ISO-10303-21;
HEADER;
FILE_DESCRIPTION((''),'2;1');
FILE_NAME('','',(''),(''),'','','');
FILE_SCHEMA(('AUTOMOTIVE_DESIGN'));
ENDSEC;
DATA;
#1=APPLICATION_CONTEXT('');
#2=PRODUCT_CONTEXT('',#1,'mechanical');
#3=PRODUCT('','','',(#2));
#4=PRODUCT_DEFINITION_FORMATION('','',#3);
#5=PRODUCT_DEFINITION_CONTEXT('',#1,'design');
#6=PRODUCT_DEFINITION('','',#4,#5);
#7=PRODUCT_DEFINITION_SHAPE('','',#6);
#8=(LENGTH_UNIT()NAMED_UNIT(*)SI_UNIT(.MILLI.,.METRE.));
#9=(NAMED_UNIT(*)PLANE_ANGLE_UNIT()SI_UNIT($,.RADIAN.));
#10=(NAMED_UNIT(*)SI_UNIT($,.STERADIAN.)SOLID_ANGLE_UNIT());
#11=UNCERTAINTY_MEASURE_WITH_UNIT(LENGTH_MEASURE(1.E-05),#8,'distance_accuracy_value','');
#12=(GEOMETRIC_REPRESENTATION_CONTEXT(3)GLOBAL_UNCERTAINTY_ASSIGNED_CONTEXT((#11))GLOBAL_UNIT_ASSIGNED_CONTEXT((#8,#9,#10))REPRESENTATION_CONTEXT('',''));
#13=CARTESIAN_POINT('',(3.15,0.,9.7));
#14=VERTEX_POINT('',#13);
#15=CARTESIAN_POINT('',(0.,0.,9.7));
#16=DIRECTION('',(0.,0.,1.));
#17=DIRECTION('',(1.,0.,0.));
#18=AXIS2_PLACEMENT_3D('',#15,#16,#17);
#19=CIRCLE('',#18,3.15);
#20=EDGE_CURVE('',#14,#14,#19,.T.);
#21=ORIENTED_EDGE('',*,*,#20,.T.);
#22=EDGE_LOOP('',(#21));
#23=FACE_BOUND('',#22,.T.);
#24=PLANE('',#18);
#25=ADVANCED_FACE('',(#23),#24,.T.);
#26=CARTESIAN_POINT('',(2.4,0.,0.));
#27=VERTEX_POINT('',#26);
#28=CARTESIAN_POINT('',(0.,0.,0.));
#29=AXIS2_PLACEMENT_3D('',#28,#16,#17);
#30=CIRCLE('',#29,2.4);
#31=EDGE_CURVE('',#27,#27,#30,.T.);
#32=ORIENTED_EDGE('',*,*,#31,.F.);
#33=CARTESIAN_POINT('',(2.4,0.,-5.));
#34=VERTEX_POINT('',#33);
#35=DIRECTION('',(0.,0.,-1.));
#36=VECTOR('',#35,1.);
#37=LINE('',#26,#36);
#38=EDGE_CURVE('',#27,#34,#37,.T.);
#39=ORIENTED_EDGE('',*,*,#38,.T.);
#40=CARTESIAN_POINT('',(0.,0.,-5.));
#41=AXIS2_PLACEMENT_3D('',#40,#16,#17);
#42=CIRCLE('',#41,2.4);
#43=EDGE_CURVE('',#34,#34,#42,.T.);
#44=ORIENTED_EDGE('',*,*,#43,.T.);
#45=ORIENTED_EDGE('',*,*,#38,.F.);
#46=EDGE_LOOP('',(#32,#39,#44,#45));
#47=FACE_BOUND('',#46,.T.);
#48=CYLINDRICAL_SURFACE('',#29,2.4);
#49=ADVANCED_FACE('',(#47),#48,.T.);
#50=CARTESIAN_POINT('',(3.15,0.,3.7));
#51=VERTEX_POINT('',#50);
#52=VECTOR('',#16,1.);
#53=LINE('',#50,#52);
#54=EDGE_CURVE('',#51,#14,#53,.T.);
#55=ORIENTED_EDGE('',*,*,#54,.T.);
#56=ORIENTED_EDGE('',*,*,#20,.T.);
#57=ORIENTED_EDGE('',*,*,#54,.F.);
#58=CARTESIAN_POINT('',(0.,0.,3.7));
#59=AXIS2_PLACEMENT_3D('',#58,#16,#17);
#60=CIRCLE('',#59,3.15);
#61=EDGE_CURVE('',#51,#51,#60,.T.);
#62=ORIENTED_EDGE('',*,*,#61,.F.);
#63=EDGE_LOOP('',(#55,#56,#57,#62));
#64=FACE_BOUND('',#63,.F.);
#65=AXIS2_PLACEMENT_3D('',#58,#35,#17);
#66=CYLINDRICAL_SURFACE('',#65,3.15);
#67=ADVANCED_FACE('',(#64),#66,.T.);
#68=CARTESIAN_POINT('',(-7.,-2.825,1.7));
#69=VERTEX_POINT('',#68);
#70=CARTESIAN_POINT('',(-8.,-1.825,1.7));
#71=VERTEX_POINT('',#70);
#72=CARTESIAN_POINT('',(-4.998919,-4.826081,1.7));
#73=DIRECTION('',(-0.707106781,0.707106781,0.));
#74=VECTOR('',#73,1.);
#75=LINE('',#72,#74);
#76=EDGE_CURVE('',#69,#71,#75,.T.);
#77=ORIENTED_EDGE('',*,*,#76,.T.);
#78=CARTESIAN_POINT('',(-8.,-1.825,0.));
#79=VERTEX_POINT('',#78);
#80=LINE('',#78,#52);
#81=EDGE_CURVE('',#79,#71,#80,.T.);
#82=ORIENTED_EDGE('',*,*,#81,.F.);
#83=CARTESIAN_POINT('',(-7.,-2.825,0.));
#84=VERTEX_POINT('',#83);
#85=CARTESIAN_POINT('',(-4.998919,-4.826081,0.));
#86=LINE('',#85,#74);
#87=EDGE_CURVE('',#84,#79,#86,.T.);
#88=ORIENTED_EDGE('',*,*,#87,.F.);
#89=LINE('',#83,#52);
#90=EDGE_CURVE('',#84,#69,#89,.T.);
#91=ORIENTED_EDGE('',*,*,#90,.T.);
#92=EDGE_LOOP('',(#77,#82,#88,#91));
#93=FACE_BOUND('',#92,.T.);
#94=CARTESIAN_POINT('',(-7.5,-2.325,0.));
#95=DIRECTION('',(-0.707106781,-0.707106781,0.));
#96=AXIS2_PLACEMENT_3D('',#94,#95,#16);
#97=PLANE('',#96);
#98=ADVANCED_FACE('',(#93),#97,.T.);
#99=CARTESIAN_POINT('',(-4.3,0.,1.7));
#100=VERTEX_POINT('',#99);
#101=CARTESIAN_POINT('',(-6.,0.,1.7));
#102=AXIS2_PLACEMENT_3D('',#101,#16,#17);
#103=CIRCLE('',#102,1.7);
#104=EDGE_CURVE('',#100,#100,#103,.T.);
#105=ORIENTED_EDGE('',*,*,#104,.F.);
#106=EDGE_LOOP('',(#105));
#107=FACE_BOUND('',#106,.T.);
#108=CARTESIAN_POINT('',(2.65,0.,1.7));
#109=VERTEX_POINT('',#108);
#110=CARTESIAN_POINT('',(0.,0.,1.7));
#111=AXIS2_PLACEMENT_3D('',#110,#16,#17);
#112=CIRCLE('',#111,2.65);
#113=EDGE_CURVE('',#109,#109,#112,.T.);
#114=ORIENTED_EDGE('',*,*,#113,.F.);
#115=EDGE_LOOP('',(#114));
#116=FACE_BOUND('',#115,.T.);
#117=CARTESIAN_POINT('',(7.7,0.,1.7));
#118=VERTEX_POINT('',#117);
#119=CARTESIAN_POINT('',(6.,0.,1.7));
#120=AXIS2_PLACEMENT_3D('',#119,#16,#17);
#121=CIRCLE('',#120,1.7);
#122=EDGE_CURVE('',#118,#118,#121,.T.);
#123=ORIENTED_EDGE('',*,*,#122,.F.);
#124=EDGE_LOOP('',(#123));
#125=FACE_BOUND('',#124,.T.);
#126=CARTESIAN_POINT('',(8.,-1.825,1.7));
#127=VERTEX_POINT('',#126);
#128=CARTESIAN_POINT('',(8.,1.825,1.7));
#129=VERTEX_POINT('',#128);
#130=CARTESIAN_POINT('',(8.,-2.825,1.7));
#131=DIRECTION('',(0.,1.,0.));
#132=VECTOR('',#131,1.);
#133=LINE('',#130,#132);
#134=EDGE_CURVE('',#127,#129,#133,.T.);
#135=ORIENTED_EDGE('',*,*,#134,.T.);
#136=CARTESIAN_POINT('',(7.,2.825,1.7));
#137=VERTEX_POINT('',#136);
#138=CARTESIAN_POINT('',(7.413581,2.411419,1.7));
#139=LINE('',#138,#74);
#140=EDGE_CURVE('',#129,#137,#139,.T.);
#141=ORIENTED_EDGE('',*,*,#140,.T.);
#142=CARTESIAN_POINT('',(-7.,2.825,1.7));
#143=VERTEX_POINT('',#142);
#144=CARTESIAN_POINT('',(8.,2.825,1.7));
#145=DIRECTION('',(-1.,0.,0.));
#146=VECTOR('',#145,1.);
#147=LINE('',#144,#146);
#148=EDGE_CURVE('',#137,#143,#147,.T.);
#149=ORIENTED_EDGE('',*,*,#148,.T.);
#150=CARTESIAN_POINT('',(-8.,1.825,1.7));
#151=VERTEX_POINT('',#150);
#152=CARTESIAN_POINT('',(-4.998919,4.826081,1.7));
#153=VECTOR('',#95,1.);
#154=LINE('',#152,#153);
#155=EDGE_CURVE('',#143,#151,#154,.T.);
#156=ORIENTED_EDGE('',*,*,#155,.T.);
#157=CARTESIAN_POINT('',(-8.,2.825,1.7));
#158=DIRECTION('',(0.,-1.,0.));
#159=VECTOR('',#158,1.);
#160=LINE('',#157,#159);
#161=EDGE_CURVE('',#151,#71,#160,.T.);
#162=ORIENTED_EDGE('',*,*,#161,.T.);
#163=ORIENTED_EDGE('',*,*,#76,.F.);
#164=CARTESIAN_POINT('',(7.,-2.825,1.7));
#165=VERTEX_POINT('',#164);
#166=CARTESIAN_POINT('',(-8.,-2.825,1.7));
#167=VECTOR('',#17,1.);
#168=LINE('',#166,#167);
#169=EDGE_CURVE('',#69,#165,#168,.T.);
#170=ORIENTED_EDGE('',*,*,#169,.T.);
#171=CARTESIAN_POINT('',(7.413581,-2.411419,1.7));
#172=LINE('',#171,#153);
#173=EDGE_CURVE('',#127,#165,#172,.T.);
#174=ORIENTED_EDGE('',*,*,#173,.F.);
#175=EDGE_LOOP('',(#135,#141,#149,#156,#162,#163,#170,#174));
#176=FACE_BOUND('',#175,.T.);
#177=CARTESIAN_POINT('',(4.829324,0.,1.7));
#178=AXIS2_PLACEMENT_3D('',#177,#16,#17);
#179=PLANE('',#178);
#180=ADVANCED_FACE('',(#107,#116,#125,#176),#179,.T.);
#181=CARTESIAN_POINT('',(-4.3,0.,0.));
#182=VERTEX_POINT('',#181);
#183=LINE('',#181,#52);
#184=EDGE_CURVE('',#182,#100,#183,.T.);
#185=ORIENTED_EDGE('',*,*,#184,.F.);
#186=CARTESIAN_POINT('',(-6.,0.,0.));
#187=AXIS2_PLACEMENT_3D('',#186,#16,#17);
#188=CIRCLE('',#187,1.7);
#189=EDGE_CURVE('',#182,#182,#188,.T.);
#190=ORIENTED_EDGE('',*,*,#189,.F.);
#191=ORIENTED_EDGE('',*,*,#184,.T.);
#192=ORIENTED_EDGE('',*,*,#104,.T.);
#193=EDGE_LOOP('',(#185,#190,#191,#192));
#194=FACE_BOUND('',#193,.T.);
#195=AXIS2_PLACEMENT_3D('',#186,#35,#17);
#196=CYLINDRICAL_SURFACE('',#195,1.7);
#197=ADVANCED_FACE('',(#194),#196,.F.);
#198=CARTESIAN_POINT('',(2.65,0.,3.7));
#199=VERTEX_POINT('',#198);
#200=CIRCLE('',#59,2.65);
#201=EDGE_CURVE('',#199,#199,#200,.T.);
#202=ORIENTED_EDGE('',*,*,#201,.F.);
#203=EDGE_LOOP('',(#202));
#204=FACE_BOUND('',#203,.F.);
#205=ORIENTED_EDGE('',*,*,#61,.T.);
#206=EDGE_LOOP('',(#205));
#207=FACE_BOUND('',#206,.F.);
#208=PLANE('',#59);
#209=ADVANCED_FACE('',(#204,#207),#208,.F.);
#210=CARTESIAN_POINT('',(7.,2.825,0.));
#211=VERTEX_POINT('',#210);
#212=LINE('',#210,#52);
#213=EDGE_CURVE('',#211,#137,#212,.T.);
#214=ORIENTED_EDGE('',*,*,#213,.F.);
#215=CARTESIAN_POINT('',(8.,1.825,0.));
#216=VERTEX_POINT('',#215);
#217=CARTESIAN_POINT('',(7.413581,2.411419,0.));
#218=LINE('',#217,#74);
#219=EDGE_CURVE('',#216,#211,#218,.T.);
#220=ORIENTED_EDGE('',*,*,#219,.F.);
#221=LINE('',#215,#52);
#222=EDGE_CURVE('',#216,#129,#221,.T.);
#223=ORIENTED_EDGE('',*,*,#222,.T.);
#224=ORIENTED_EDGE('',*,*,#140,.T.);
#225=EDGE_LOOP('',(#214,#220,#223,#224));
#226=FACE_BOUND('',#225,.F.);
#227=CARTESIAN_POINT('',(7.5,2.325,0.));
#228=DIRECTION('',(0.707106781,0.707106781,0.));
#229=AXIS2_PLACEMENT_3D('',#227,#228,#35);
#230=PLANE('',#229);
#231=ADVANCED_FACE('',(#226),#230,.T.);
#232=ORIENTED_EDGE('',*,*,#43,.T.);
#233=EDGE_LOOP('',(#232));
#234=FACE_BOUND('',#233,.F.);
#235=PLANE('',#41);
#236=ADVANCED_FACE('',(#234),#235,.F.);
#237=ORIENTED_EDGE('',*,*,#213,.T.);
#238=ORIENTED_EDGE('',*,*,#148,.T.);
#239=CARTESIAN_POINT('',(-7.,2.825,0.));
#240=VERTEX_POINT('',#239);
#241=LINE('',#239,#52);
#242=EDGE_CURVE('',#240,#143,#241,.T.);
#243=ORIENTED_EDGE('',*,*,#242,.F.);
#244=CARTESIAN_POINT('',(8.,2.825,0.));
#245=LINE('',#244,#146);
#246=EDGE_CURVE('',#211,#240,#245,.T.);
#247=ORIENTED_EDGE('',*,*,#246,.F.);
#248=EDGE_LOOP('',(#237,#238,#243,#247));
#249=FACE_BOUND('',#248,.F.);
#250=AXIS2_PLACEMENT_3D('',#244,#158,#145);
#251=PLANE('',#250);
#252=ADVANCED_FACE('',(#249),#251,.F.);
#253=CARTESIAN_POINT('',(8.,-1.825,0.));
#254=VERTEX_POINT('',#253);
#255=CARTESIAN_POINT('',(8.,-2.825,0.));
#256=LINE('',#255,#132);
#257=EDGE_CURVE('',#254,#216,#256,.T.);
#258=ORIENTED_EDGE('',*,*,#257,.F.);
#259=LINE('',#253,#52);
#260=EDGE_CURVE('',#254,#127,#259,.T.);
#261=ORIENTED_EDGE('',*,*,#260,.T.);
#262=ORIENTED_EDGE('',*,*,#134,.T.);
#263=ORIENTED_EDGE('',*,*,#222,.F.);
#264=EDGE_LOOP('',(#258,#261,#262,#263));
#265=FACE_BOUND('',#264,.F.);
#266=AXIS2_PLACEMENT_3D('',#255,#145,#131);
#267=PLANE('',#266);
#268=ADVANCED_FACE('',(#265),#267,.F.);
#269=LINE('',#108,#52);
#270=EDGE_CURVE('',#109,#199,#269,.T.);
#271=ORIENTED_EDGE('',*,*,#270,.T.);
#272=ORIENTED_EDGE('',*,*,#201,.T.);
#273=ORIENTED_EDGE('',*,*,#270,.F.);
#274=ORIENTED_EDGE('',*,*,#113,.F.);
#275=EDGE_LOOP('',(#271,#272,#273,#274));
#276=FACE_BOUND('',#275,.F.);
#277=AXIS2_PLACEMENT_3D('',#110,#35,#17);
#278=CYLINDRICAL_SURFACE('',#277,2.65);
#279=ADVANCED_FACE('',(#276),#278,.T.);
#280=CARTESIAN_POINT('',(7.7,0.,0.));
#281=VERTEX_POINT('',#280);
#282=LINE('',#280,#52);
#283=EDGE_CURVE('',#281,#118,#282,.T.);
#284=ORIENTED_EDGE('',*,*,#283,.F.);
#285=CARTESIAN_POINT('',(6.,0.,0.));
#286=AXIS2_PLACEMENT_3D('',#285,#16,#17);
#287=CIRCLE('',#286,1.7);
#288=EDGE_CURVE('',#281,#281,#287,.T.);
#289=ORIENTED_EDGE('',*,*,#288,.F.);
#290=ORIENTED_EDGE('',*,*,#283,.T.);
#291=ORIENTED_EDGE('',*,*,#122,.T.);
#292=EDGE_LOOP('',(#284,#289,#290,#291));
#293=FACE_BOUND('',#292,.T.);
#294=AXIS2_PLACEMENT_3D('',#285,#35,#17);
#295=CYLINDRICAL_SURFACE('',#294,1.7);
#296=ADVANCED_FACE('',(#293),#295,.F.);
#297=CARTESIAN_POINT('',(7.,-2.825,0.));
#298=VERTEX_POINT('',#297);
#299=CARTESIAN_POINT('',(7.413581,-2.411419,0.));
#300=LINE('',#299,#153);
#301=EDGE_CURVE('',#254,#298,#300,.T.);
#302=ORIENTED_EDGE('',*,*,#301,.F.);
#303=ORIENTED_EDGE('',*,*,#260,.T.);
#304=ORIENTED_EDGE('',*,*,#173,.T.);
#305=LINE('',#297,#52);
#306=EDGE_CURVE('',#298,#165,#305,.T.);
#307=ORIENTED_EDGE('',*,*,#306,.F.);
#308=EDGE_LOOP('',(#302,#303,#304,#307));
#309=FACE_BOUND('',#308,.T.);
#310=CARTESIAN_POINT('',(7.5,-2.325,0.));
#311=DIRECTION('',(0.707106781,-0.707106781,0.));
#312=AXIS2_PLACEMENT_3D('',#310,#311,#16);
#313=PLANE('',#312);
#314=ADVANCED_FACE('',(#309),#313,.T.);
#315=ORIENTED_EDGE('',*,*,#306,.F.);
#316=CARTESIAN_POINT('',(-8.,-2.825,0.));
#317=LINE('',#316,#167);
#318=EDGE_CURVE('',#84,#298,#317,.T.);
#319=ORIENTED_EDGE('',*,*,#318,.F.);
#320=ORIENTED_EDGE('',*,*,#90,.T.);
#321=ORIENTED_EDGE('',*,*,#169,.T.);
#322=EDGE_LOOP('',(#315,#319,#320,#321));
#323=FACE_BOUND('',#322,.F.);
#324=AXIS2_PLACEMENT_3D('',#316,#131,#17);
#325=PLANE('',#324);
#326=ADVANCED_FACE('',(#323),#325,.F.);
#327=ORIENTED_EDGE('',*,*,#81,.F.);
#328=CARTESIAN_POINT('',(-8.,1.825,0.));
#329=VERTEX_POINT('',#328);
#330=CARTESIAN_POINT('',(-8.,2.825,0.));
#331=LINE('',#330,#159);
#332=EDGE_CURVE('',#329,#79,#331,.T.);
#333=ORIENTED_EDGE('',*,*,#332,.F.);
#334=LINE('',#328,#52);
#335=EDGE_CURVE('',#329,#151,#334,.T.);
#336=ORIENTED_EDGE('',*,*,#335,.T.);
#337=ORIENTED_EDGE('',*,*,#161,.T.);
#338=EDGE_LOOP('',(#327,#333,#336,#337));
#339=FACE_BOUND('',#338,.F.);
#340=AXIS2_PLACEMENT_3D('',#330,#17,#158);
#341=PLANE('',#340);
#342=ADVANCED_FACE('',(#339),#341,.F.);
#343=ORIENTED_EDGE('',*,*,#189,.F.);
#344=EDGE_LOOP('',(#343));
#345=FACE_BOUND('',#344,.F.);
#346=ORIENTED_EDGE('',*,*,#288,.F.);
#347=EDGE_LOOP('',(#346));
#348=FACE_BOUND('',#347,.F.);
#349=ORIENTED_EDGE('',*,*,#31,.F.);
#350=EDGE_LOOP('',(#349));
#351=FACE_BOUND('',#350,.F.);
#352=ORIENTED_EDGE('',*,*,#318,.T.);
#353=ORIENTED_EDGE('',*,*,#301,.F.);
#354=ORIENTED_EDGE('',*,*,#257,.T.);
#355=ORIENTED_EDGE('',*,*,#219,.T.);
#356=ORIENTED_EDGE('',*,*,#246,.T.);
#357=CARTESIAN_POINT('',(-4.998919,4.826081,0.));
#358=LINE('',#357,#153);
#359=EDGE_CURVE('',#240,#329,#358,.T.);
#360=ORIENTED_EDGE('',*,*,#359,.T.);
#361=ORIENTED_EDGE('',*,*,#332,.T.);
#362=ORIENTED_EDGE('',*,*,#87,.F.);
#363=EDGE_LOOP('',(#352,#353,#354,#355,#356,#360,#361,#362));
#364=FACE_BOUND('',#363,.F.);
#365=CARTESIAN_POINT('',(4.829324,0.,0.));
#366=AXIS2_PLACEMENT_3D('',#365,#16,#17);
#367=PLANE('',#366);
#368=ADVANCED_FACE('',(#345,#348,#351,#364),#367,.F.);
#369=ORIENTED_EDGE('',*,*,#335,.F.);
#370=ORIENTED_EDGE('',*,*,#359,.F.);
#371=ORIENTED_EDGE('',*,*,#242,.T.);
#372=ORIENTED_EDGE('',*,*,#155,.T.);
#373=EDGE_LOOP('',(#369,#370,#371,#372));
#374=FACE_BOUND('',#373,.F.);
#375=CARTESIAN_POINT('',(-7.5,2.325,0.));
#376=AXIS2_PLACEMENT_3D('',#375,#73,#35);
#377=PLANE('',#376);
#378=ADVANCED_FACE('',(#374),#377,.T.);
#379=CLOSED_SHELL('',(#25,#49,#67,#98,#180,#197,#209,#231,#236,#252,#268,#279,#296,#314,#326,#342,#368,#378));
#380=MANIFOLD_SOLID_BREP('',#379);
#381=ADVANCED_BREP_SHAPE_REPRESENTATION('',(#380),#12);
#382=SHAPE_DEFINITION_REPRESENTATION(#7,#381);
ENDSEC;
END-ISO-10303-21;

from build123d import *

# Parameters (mm, degrees)
F0_R     = 1.7
F0_R_2   = 2.65
F1_DEPTH = 1.7
F2_R     = 2.65
F3_DEPTH = 2
F4_R     = 3.15
F5_DEPTH = 6
F6_SIZE  = 1
F7_R     = 2.4
F8_DEPTH = 5


with BuildPart() as f1:
    # F0 (on Top) → F1 (new body)
    with BuildSketch(Plane.XY):
        with BuildLine():
            Line((1.393512, -2.825), (8, -2.825))
            Line((8, -2.825), (8, 2.825))
            Line((8, 2.825), (1.393512, 2.825))
            ThreePointArc((1.393512, 2.825), (2.675076, 1.663271), (3.15, 0))
            ThreePointArc((3.15, 0), (2.675076, -1.663271), (1.393512, -2.825))
        make_face()
        with Locations((6, 0)):
            Circle(F0_R, mode=Mode.SUBTRACT)
        with BuildLine():
            Line((-8, -2.825), (-1.393512, -2.825))
            ThreePointArc((-1.393512, -2.825), (-3.15, 0), (-1.393512, 2.825))
            Line((-1.393512, 2.825), (-8, 2.825))
            Line((-8, 2.825), (-8, -2.825))
        make_face()
        with Locations((-6, 0)):
            Circle(F0_R, mode=Mode.SUBTRACT)
        with BuildLine():
            Line((-1.393512, -2.825), (1.393512, -2.825))
            ThreePointArc((1.393512, -2.825), (2.675076, -1.663271), (3.15, 0))
            ThreePointArc((3.15, 0), (2.675076, 1.663271), (1.393512, 2.825))
            Line((1.393512, 2.825), (-1.393512, 2.825))
            ThreePointArc((-1.393512, 2.825), (-3.15, 0), (-1.393512, -2.825))
        make_face()
        Circle(F0_R_2, mode=Mode.SUBTRACT)
        Circle(F0_R_2)
    extrude(amount=F1_DEPTH)

    # F2 (on face) → F3 (join)
    with BuildSketch(Plane.XY.offset(1.7)):
        Circle(F2_R)
    extrude(amount=F3_DEPTH)

    # F4 (on face) → F5 (join)
    with BuildSketch(Plane.XY.offset(3.7)):
        Circle(F4_R)
    extrude(amount=F5_DEPTH)

    # F6
    f6_edges = [f1.edges().sort_by_distance(p)[0] for p in [
        (-8, -2.825, 0.85),
        (-8, 2.825, 0.85),
        (8, -2.825, 0.85),
        (8, 2.825, 0.85),
    ]]
    chamfer(f6_edges, length=F6_SIZE)

    # F7 (on face) → F8 (join)
    with BuildSketch(Plane.XY):
        Circle(F7_R)
    extrude(amount=-F8_DEPTH)


solid = f1.part
